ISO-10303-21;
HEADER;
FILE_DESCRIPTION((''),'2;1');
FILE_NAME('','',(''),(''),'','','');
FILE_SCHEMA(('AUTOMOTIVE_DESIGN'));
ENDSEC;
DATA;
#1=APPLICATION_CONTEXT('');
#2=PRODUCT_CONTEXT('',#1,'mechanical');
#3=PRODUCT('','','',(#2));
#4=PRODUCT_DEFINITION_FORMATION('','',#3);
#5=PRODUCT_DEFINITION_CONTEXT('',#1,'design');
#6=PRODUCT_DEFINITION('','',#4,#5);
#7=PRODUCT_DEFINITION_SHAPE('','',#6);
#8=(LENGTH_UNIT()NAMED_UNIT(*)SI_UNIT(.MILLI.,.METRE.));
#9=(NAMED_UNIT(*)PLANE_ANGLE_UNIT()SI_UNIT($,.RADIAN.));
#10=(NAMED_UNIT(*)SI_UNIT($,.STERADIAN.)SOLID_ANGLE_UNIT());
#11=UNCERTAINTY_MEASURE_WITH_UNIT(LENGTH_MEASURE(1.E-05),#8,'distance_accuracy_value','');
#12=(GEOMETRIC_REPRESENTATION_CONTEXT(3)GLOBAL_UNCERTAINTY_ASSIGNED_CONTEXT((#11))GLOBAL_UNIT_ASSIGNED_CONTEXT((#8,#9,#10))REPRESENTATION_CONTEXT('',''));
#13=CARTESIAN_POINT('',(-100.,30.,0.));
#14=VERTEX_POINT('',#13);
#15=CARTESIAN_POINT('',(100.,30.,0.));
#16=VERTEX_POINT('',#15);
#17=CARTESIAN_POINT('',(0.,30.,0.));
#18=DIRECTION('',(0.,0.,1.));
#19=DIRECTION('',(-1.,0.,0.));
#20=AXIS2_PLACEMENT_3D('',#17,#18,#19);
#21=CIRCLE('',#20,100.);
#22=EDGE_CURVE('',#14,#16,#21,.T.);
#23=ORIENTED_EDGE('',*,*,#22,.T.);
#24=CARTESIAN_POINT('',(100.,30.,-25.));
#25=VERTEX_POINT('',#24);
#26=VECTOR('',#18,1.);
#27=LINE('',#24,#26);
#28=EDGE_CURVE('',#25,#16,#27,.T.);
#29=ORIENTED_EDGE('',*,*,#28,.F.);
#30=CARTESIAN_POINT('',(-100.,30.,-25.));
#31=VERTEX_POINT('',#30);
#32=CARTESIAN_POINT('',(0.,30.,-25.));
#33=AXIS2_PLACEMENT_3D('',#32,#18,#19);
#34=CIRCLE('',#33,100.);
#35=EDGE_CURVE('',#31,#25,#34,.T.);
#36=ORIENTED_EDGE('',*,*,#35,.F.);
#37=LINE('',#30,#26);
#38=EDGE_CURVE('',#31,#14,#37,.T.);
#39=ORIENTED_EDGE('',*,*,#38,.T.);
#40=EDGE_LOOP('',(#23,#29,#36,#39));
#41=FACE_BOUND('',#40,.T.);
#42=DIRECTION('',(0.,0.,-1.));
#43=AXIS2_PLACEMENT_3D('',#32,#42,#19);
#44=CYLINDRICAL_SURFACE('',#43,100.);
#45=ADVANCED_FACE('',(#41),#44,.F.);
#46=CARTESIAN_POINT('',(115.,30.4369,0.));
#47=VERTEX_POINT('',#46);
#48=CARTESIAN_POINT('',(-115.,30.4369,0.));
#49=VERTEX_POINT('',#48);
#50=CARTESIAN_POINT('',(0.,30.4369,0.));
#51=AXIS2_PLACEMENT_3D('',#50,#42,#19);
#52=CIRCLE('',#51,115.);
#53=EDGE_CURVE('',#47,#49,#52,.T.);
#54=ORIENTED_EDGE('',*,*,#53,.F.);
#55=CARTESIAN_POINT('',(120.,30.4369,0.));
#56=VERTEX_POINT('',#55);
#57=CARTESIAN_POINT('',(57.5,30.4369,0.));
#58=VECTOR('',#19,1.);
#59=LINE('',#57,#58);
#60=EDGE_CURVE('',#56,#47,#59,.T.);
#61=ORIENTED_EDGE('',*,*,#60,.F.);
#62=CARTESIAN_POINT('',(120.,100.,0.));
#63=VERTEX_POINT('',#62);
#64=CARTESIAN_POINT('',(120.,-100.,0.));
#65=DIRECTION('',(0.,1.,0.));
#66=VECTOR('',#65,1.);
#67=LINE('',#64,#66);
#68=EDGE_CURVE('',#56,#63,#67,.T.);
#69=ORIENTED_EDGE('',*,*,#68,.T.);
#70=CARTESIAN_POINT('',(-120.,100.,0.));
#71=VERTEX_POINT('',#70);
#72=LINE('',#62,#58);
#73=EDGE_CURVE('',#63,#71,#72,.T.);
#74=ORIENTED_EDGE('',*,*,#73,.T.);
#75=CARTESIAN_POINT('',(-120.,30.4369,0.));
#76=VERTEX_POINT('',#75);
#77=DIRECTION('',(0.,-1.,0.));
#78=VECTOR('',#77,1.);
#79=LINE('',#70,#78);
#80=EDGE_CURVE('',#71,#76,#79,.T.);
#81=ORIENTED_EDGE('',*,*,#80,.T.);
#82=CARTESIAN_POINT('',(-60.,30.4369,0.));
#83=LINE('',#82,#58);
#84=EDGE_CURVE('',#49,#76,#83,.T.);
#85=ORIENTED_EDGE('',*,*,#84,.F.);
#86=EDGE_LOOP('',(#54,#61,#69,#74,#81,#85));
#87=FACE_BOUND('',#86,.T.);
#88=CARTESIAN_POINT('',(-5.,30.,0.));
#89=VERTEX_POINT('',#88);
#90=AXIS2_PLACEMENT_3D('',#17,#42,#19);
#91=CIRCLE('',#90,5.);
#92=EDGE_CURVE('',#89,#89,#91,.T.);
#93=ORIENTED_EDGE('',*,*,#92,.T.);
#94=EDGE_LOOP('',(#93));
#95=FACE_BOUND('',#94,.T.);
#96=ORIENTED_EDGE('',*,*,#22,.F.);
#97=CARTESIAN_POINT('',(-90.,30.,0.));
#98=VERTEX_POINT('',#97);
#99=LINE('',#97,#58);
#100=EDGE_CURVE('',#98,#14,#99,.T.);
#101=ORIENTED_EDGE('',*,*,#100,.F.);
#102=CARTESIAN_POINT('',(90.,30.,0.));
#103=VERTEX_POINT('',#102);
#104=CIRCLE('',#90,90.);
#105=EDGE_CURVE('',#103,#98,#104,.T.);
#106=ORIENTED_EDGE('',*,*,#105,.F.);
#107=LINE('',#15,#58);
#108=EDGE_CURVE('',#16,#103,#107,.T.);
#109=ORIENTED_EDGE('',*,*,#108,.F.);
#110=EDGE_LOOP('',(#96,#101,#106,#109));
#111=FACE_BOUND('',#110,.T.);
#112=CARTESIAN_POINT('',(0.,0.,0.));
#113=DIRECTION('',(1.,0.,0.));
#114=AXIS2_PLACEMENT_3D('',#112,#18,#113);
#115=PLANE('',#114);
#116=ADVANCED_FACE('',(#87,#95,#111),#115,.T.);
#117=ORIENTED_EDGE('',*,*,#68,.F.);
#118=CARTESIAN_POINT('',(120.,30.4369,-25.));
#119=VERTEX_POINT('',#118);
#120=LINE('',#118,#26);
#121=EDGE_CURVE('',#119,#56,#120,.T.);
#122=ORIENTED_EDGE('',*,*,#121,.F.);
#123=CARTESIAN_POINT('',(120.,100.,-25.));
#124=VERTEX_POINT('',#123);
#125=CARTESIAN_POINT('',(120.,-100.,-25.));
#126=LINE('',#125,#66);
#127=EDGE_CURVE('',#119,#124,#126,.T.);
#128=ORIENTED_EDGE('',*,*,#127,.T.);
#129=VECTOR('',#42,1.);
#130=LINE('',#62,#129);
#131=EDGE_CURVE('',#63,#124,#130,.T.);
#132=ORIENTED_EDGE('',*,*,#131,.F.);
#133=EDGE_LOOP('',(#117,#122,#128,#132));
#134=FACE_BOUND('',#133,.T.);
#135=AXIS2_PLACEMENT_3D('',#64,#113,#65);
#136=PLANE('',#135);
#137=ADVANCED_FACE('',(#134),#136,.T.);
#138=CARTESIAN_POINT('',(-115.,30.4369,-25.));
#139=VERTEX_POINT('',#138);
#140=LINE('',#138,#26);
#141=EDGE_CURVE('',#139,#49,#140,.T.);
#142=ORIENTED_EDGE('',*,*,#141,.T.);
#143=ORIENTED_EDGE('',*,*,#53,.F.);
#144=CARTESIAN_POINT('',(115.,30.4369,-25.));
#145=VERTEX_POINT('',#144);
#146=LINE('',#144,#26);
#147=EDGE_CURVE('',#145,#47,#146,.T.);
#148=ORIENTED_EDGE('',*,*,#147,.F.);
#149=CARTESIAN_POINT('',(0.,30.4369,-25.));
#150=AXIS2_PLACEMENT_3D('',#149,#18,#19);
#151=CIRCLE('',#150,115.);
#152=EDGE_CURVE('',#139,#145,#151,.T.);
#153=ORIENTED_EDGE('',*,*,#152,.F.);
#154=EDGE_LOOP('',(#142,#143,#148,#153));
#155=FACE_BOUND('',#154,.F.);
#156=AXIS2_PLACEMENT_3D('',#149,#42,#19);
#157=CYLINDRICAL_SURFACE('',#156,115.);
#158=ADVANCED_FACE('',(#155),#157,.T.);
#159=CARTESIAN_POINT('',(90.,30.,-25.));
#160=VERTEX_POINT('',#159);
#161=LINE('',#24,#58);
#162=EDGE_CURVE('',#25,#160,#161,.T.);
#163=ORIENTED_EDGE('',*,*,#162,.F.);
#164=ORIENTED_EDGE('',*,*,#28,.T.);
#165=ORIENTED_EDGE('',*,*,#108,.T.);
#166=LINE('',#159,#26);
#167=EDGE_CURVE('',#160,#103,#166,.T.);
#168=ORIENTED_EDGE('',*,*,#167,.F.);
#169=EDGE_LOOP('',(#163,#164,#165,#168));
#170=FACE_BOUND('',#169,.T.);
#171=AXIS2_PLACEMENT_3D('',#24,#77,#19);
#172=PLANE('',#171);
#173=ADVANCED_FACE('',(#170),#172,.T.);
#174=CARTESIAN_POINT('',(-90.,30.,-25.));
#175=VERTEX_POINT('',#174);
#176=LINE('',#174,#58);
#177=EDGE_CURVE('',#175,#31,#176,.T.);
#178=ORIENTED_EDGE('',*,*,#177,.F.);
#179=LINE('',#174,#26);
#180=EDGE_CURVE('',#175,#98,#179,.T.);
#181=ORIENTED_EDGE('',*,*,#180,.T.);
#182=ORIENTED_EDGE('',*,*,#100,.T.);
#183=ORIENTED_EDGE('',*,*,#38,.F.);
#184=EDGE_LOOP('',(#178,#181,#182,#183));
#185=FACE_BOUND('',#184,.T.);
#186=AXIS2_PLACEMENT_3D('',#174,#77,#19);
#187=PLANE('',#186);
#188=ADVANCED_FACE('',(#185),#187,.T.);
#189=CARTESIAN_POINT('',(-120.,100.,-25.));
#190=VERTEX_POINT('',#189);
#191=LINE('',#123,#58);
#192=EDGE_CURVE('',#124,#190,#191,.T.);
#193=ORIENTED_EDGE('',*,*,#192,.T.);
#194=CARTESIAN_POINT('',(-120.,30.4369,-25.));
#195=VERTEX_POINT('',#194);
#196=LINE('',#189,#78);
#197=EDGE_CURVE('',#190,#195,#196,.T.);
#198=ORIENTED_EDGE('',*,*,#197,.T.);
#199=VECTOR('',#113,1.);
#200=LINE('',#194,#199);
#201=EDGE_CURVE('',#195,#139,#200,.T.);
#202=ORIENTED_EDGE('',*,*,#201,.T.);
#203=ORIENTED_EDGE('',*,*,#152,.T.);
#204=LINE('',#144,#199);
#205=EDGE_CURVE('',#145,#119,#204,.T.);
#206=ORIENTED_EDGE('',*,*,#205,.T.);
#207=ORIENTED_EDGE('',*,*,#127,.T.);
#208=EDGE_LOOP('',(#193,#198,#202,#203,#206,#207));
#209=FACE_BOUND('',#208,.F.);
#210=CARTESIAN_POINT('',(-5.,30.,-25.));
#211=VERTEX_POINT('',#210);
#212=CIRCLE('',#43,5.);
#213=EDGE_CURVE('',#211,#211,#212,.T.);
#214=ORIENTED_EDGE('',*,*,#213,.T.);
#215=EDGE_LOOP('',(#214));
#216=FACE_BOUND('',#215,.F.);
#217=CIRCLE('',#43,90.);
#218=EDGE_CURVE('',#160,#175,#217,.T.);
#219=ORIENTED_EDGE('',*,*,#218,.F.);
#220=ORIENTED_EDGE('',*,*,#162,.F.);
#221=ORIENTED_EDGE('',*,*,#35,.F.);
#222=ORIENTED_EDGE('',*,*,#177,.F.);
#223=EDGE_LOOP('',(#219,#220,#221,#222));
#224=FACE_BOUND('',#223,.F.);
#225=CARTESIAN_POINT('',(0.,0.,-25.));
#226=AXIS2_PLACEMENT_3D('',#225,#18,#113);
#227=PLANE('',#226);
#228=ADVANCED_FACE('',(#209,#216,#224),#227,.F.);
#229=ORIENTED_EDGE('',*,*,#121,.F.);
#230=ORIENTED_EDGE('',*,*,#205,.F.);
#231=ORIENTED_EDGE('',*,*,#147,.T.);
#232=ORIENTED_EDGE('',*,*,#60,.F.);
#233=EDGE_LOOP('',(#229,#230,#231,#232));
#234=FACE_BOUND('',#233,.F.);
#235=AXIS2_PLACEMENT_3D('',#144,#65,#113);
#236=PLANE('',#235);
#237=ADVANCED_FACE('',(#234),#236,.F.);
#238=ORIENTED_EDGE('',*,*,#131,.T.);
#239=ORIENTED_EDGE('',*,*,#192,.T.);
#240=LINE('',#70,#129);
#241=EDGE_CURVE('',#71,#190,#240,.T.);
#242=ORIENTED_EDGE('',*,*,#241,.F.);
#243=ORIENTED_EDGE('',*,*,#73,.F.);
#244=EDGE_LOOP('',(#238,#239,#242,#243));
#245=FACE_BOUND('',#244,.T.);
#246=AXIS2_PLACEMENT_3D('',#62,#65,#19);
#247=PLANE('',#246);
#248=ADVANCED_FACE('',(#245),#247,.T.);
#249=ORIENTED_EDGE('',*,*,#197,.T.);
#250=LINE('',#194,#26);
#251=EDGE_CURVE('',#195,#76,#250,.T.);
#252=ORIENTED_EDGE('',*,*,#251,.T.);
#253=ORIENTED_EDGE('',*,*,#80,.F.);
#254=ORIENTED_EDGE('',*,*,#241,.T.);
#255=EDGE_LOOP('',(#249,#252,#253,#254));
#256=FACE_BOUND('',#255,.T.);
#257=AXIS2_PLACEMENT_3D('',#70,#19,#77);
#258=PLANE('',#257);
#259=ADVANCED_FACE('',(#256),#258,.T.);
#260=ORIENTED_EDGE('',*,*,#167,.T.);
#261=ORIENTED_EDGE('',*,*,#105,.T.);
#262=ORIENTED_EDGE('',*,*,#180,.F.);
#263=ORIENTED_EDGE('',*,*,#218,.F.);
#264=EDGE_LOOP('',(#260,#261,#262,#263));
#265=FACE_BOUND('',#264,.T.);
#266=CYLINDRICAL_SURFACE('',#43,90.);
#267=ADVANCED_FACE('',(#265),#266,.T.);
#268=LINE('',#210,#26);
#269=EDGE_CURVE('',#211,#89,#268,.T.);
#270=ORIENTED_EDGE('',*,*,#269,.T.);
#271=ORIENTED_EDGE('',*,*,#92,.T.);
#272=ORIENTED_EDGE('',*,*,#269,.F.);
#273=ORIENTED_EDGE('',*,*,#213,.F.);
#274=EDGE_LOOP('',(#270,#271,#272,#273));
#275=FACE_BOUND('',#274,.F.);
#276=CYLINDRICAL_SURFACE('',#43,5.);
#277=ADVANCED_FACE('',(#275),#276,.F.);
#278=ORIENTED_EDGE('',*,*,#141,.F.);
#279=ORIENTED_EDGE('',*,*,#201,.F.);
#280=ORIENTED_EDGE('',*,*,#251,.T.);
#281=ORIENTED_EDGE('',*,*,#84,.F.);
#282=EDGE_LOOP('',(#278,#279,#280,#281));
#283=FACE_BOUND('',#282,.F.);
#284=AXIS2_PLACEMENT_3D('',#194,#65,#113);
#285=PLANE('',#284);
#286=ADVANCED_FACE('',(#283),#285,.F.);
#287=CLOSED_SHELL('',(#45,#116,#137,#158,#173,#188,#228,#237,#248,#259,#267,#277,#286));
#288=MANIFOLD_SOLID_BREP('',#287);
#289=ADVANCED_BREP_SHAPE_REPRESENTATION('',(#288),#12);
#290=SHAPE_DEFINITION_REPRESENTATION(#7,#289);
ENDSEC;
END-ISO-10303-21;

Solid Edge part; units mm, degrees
sketch "Sketch1" plane through (0, 0, 0) normal (0, 0, 1) x (1, 0, 0)
  line L0 (-120, -100) -> (120, -100)
  line L1 (120, -100) -> (120, 100)
  line L2 (120, 100) -> (-120, 100)
  line L3 (-120, 100) -> (-120, -100)
extrude "Protrusion1" add sketch "Sketch1" against normal blind 25
sketch "Sketch2" plane through (0, 0, -25) normal (0, 0, -1) x (-1, 0, 0)
  circle A0 centre (0, 30) radius 5
  line L0 (-100, 30) -> (-90, 30)
  arc A1 (-90, 30) -> (90, 30) centre (0, 30) ccw
  line L1 (90, 30) -> (100, 30)
  arc A2 (100, 30) -> (-100, 30) centre (0, 30) cw
extrude "ExtrudedCutout_2" cut sketch "Sketch2" against normal blind 25
sketch "Sketch3" plane through (0, 0, -25) normal (0, 0, -1) x (-1, 0, 0)
  line L0 (-115, 30.4369) -> (-120, 30.4369)
  line L1 (-120, 30.4369) -> (-120, -100)
  line L2 (-120, -100) -> (120, -100)
  line L3 (120, -100) -> (120, 30.4369)
  line L4 (120, 30.4369) -> (115, 30.4369)
  arc A0 (115, 30.4369) -> (-115, 30.4369) centre (0, 30.4369) cw
extrude "ExtrudedCutout_3" cut sketch "Sketch3" against normal blind 30
